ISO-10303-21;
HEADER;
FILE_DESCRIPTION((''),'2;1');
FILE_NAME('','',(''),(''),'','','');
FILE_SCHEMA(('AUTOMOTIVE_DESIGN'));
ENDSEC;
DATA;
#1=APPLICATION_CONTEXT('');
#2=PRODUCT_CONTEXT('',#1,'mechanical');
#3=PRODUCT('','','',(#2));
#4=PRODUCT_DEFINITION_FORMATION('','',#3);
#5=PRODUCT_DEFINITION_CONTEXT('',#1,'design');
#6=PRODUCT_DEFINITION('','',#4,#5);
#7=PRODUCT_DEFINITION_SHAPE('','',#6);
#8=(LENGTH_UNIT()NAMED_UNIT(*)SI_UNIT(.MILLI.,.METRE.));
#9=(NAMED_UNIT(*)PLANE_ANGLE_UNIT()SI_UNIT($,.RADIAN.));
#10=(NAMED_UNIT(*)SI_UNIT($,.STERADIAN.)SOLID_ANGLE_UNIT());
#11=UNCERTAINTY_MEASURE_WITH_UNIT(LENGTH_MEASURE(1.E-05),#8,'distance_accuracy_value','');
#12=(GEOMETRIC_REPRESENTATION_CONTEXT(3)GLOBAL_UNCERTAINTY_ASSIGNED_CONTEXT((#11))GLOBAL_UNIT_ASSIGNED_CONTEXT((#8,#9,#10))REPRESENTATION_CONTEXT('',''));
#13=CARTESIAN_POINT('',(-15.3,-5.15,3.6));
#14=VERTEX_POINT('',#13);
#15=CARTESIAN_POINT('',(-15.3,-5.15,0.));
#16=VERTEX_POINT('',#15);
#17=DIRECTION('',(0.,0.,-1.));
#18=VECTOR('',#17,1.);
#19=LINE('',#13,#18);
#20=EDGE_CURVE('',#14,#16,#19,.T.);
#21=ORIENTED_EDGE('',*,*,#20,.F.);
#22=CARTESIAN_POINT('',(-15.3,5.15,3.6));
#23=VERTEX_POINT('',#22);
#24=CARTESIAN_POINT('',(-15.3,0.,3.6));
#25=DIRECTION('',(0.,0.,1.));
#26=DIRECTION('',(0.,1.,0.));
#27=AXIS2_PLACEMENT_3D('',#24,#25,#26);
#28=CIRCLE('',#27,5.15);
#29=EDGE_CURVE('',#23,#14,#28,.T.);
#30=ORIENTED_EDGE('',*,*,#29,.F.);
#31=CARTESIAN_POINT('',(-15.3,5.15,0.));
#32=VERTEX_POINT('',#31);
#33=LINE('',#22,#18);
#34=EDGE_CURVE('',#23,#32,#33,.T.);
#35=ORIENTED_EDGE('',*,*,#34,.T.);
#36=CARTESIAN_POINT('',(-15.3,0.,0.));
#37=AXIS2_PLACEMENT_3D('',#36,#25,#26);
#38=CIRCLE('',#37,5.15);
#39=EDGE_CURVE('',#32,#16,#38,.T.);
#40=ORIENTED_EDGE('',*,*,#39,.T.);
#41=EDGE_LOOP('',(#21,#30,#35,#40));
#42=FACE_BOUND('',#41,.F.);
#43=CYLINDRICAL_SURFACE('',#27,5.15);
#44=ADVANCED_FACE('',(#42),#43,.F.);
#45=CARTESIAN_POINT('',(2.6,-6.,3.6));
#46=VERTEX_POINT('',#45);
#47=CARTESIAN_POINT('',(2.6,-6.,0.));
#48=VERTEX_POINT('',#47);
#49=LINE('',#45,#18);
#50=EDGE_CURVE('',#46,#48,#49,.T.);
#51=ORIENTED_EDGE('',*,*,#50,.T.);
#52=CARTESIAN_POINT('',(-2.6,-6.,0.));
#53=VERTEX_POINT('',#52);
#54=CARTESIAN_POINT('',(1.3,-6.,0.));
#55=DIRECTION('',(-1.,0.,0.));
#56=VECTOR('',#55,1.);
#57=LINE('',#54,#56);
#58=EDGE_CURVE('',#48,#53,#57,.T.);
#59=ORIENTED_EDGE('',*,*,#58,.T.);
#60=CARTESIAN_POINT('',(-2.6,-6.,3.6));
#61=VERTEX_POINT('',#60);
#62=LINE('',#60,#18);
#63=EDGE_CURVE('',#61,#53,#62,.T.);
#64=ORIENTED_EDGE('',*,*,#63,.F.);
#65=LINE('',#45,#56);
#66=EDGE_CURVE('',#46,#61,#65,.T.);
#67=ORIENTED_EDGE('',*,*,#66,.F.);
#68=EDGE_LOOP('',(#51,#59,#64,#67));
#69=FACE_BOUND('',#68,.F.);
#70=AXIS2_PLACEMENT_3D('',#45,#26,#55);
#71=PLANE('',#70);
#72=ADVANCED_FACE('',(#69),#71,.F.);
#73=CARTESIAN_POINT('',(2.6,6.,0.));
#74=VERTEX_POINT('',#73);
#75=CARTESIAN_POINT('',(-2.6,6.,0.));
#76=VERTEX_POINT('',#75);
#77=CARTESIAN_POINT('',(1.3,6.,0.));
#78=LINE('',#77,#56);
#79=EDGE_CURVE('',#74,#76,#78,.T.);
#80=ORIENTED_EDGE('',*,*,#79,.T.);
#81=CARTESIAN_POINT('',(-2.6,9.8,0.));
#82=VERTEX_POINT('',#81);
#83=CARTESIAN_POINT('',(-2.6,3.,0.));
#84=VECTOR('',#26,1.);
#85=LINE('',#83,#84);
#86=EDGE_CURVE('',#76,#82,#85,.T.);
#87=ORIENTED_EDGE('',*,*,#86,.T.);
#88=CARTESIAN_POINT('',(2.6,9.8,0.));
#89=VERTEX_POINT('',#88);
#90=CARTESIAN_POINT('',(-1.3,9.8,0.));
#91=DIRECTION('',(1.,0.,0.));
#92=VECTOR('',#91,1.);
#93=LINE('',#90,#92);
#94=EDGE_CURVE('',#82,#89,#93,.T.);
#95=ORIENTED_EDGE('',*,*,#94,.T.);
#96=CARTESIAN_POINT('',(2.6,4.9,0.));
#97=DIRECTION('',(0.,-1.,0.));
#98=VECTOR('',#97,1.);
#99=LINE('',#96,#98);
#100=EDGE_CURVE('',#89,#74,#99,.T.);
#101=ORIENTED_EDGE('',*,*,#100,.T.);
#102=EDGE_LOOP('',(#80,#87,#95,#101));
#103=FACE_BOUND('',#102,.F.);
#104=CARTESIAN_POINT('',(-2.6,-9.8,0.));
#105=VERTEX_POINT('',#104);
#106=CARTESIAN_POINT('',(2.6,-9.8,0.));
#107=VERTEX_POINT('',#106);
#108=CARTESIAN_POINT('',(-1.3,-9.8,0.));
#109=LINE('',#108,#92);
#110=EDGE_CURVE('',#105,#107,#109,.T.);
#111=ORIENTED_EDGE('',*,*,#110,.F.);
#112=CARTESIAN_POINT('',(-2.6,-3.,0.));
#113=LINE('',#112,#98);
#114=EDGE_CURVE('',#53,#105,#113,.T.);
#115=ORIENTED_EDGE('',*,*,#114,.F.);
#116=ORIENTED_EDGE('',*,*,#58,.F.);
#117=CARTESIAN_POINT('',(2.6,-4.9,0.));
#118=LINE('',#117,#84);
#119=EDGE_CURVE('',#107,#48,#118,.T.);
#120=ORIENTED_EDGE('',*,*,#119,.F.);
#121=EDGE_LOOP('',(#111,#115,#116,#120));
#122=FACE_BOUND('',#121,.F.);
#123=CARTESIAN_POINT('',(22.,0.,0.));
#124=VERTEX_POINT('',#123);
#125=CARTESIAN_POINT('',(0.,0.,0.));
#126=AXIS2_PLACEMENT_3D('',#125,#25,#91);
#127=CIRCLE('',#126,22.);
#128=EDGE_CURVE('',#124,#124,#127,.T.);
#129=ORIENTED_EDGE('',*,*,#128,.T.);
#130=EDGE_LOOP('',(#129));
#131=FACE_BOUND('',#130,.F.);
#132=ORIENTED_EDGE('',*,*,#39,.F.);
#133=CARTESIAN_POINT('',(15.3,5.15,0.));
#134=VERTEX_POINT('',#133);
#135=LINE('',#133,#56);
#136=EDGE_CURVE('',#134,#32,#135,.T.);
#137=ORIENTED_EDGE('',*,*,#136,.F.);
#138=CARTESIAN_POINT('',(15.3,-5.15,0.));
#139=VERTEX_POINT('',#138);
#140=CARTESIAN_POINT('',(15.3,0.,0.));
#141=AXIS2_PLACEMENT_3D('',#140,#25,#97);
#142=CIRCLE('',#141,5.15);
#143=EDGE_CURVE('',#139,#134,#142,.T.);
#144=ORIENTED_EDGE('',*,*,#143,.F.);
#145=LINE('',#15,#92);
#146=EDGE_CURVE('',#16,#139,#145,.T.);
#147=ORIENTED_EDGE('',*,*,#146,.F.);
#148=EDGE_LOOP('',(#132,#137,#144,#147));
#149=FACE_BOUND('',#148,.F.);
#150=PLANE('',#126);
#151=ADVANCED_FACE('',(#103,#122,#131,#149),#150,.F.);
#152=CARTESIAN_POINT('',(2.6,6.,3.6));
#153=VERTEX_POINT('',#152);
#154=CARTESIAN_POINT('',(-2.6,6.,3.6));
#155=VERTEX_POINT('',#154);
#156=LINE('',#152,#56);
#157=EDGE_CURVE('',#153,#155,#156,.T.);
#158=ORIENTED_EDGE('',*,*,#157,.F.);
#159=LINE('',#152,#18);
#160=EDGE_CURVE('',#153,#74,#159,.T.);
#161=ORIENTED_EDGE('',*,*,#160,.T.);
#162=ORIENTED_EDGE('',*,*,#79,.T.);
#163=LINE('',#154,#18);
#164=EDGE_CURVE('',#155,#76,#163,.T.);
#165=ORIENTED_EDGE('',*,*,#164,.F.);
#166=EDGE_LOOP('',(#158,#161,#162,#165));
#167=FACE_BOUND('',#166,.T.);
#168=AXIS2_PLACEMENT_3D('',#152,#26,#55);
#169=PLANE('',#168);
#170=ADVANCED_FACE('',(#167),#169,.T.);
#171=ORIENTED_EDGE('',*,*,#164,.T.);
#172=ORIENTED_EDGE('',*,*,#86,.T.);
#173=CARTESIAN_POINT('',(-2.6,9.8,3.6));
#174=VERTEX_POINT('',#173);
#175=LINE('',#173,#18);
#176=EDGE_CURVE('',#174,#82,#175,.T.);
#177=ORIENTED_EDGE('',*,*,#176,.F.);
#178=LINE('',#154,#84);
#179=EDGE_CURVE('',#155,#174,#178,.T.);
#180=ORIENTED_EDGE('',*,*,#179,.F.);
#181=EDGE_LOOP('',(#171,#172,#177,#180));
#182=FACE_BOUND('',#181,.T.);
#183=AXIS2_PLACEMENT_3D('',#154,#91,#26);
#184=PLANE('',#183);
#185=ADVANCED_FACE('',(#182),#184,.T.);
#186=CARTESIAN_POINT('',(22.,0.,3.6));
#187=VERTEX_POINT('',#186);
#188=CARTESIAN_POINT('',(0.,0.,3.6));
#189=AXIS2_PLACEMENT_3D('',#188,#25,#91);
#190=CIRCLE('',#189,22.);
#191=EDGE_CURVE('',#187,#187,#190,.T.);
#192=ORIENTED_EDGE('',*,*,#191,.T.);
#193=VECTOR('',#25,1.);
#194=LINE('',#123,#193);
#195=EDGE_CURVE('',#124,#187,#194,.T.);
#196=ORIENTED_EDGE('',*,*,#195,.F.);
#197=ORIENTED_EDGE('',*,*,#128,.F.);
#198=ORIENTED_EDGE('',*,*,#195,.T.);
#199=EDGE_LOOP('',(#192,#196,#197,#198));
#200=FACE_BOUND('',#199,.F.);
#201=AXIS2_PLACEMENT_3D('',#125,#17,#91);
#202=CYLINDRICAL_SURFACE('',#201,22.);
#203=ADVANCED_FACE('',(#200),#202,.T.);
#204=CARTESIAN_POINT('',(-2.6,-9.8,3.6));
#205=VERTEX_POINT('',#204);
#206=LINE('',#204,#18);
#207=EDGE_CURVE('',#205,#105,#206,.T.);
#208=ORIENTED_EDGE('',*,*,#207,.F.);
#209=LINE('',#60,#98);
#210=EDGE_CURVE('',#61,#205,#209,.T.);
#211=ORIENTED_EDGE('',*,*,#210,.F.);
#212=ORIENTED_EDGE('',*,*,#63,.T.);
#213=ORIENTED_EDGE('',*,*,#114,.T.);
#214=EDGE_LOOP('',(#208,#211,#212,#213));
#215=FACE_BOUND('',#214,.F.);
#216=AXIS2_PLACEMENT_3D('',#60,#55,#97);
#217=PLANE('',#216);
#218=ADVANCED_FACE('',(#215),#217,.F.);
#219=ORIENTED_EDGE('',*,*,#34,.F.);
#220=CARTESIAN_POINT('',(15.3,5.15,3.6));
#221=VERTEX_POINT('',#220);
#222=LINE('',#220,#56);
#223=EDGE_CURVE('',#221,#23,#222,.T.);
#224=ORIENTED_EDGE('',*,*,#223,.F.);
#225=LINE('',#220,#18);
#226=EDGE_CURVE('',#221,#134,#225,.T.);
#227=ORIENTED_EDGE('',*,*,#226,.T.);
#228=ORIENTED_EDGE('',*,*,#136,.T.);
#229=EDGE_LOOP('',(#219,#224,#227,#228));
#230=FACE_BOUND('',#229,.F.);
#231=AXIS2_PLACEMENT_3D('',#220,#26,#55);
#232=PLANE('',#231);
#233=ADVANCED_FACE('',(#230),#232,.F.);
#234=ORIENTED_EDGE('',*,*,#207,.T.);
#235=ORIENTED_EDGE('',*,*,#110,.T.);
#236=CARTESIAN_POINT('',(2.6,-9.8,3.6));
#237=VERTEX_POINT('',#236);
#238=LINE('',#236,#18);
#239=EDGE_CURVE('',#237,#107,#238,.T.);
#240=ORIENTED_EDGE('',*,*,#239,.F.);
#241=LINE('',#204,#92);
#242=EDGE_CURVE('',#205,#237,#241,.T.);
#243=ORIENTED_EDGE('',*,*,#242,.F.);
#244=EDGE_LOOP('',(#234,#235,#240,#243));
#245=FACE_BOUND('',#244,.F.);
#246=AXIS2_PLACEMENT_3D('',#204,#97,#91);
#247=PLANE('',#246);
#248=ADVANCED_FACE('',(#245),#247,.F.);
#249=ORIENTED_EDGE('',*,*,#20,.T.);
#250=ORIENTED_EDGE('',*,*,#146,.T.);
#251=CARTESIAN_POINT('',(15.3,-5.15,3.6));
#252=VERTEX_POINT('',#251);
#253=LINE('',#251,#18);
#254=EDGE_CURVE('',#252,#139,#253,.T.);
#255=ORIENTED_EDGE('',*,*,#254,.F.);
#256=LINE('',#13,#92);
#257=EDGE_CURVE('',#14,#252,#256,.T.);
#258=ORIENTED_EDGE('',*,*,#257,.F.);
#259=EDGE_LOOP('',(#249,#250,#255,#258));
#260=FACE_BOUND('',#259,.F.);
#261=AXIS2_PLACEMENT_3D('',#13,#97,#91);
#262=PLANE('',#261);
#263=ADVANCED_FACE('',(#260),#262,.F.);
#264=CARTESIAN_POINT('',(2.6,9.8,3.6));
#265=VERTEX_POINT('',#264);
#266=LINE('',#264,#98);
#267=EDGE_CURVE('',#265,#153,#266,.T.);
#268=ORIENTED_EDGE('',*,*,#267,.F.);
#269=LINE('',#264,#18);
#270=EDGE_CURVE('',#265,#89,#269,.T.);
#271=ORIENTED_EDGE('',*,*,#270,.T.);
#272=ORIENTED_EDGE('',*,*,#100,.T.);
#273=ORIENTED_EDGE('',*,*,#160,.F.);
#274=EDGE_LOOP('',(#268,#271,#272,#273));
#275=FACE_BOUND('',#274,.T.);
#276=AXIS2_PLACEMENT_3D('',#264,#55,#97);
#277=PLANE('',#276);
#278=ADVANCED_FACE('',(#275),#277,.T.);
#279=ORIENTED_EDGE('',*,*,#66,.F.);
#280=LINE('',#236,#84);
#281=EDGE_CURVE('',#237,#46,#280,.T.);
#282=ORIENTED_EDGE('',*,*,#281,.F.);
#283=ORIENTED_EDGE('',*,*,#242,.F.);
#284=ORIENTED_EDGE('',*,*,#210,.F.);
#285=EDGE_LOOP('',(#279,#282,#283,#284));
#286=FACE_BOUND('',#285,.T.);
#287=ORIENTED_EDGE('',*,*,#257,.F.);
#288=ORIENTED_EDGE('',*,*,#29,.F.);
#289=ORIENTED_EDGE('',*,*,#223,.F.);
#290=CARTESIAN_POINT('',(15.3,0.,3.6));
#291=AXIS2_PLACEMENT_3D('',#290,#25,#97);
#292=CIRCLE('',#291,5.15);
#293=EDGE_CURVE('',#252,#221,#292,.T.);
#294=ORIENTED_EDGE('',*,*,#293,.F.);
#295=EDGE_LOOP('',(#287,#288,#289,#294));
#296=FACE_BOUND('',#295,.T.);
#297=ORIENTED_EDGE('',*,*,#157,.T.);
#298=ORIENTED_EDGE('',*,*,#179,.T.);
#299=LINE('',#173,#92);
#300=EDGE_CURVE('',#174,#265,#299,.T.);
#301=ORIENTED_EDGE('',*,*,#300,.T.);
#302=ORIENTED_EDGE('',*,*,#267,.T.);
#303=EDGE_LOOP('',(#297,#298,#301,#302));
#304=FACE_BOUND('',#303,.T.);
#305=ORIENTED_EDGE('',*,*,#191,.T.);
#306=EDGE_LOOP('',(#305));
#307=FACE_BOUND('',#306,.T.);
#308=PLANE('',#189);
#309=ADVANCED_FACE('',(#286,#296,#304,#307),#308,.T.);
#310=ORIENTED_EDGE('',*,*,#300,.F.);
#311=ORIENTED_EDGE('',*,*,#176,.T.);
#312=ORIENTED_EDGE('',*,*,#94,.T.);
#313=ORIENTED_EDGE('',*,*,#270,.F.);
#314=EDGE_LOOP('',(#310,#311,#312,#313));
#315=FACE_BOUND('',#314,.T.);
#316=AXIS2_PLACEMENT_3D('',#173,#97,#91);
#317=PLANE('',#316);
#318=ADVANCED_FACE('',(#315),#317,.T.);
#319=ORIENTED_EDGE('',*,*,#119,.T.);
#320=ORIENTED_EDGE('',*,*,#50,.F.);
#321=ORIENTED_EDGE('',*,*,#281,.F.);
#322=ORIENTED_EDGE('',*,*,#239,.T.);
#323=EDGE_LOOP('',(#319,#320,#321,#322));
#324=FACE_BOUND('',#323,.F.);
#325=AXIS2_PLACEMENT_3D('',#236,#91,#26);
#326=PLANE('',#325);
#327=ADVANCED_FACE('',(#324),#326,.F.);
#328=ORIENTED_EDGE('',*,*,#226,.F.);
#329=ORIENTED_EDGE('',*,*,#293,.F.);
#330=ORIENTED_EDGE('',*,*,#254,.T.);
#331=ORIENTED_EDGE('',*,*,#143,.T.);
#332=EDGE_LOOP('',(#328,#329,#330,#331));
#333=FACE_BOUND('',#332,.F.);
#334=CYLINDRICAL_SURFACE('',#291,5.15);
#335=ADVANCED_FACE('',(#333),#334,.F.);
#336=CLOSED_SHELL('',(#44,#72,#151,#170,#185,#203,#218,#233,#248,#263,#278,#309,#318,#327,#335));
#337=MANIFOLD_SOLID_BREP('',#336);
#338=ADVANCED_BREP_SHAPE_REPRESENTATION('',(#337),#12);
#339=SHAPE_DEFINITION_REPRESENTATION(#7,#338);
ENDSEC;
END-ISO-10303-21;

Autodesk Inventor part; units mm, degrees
ref_plane "YZ Plane" through (0, 0, 0) normal (1, 0, 0) x (0, 1, 0)
ref_plane "XZ Plane" through (0, 0, 0) normal (0, 1, 0) x (-1, 0, 0)
ref_plane "XY Plane" through (0, 0, 0) normal (0, 0, 1) x (1, 0, 0)
sketch "Sketch1" plane through (0, 0, 0) normal (0, 0, 1) x (1, 0, 0)
  circle A0 centre (0, 0) radius 22
  dimension "d0" = 44
extrude "Extrusion1" add sketch "Sketch1" along normal blind 3.6
sketch "Sketch2" plane through (0, 0, 3.6) normal (0, 0, 1) x (1, 0, 0)
  line L0 (15.3, 0) -> (-15.3, 0) construction
  line L1 (15.3, 5.15) -> (-15.3, 5.15)
  line L2 (-15.3, -5.15) -> (15.3, -5.15)
  arc A0 (15.3, -5.15) -> (15.3, 5.15) centre (15.3, 0) ccw
  arc A1 (-15.3, 5.15) -> (-15.3, -5.15) centre (-15.3, 0) ccw
  point P0 (0, 0)
  dimension "d3" = 15.3
  dimension "d4" = 10.3
extrude "Extrusion2" cut sketch "Sketch2" against normal blind 3.6
sketch "Sketch3" plane through (0, 0, 3.6) normal (0, 0, 1) x (1, 0, 0)
  line L0 (-2.6, 9.8) -> (2.6, 9.8)
  line L1 (2.6, 9.8) -> (2.6, 6)
  line L2 (2.6, 6) -> (-2.6, 6)
  line L3 (-2.6, 6) -> (-2.6, 9.8)
  line L4 (-2.6, 9.8) -> (2.6, 6) construction
  line L5 (2.6, 9.8) -> (-2.6, 6) construction
  line L6 (-30.8, 0) -> (30.8, 0) projected
  line L7 (-30.8, 0) -> (30.8, 0) projected
  line L8 (-2.6, -9.8) -> (2.6, -9.8)
  line L9 (2.6, -9.8) -> (2.6, -6)
  line L10 (2.6, -6) -> (-2.6, -6)
  line L11 (-2.6, -6) -> (-2.6, -9.8)
  line L12 (-2.6, -9.8) -> (2.6, -6) construction
  line L13 (2.6, -9.8) -> (-2.6, -6) construction
  point P0 (0, 0)
  point P1 (0, 7.9)
  point P2 (0, -7.9)
  dimension "d7" = 5.2
  dimension "d8" = 3.8
  dimension "d9" = 6
  dimension "d10" = 6
  dimension "d13" = 0
extrude "Extrusion3" cut sketch "Sketch3" against normal blind 10
properties part number "1"
